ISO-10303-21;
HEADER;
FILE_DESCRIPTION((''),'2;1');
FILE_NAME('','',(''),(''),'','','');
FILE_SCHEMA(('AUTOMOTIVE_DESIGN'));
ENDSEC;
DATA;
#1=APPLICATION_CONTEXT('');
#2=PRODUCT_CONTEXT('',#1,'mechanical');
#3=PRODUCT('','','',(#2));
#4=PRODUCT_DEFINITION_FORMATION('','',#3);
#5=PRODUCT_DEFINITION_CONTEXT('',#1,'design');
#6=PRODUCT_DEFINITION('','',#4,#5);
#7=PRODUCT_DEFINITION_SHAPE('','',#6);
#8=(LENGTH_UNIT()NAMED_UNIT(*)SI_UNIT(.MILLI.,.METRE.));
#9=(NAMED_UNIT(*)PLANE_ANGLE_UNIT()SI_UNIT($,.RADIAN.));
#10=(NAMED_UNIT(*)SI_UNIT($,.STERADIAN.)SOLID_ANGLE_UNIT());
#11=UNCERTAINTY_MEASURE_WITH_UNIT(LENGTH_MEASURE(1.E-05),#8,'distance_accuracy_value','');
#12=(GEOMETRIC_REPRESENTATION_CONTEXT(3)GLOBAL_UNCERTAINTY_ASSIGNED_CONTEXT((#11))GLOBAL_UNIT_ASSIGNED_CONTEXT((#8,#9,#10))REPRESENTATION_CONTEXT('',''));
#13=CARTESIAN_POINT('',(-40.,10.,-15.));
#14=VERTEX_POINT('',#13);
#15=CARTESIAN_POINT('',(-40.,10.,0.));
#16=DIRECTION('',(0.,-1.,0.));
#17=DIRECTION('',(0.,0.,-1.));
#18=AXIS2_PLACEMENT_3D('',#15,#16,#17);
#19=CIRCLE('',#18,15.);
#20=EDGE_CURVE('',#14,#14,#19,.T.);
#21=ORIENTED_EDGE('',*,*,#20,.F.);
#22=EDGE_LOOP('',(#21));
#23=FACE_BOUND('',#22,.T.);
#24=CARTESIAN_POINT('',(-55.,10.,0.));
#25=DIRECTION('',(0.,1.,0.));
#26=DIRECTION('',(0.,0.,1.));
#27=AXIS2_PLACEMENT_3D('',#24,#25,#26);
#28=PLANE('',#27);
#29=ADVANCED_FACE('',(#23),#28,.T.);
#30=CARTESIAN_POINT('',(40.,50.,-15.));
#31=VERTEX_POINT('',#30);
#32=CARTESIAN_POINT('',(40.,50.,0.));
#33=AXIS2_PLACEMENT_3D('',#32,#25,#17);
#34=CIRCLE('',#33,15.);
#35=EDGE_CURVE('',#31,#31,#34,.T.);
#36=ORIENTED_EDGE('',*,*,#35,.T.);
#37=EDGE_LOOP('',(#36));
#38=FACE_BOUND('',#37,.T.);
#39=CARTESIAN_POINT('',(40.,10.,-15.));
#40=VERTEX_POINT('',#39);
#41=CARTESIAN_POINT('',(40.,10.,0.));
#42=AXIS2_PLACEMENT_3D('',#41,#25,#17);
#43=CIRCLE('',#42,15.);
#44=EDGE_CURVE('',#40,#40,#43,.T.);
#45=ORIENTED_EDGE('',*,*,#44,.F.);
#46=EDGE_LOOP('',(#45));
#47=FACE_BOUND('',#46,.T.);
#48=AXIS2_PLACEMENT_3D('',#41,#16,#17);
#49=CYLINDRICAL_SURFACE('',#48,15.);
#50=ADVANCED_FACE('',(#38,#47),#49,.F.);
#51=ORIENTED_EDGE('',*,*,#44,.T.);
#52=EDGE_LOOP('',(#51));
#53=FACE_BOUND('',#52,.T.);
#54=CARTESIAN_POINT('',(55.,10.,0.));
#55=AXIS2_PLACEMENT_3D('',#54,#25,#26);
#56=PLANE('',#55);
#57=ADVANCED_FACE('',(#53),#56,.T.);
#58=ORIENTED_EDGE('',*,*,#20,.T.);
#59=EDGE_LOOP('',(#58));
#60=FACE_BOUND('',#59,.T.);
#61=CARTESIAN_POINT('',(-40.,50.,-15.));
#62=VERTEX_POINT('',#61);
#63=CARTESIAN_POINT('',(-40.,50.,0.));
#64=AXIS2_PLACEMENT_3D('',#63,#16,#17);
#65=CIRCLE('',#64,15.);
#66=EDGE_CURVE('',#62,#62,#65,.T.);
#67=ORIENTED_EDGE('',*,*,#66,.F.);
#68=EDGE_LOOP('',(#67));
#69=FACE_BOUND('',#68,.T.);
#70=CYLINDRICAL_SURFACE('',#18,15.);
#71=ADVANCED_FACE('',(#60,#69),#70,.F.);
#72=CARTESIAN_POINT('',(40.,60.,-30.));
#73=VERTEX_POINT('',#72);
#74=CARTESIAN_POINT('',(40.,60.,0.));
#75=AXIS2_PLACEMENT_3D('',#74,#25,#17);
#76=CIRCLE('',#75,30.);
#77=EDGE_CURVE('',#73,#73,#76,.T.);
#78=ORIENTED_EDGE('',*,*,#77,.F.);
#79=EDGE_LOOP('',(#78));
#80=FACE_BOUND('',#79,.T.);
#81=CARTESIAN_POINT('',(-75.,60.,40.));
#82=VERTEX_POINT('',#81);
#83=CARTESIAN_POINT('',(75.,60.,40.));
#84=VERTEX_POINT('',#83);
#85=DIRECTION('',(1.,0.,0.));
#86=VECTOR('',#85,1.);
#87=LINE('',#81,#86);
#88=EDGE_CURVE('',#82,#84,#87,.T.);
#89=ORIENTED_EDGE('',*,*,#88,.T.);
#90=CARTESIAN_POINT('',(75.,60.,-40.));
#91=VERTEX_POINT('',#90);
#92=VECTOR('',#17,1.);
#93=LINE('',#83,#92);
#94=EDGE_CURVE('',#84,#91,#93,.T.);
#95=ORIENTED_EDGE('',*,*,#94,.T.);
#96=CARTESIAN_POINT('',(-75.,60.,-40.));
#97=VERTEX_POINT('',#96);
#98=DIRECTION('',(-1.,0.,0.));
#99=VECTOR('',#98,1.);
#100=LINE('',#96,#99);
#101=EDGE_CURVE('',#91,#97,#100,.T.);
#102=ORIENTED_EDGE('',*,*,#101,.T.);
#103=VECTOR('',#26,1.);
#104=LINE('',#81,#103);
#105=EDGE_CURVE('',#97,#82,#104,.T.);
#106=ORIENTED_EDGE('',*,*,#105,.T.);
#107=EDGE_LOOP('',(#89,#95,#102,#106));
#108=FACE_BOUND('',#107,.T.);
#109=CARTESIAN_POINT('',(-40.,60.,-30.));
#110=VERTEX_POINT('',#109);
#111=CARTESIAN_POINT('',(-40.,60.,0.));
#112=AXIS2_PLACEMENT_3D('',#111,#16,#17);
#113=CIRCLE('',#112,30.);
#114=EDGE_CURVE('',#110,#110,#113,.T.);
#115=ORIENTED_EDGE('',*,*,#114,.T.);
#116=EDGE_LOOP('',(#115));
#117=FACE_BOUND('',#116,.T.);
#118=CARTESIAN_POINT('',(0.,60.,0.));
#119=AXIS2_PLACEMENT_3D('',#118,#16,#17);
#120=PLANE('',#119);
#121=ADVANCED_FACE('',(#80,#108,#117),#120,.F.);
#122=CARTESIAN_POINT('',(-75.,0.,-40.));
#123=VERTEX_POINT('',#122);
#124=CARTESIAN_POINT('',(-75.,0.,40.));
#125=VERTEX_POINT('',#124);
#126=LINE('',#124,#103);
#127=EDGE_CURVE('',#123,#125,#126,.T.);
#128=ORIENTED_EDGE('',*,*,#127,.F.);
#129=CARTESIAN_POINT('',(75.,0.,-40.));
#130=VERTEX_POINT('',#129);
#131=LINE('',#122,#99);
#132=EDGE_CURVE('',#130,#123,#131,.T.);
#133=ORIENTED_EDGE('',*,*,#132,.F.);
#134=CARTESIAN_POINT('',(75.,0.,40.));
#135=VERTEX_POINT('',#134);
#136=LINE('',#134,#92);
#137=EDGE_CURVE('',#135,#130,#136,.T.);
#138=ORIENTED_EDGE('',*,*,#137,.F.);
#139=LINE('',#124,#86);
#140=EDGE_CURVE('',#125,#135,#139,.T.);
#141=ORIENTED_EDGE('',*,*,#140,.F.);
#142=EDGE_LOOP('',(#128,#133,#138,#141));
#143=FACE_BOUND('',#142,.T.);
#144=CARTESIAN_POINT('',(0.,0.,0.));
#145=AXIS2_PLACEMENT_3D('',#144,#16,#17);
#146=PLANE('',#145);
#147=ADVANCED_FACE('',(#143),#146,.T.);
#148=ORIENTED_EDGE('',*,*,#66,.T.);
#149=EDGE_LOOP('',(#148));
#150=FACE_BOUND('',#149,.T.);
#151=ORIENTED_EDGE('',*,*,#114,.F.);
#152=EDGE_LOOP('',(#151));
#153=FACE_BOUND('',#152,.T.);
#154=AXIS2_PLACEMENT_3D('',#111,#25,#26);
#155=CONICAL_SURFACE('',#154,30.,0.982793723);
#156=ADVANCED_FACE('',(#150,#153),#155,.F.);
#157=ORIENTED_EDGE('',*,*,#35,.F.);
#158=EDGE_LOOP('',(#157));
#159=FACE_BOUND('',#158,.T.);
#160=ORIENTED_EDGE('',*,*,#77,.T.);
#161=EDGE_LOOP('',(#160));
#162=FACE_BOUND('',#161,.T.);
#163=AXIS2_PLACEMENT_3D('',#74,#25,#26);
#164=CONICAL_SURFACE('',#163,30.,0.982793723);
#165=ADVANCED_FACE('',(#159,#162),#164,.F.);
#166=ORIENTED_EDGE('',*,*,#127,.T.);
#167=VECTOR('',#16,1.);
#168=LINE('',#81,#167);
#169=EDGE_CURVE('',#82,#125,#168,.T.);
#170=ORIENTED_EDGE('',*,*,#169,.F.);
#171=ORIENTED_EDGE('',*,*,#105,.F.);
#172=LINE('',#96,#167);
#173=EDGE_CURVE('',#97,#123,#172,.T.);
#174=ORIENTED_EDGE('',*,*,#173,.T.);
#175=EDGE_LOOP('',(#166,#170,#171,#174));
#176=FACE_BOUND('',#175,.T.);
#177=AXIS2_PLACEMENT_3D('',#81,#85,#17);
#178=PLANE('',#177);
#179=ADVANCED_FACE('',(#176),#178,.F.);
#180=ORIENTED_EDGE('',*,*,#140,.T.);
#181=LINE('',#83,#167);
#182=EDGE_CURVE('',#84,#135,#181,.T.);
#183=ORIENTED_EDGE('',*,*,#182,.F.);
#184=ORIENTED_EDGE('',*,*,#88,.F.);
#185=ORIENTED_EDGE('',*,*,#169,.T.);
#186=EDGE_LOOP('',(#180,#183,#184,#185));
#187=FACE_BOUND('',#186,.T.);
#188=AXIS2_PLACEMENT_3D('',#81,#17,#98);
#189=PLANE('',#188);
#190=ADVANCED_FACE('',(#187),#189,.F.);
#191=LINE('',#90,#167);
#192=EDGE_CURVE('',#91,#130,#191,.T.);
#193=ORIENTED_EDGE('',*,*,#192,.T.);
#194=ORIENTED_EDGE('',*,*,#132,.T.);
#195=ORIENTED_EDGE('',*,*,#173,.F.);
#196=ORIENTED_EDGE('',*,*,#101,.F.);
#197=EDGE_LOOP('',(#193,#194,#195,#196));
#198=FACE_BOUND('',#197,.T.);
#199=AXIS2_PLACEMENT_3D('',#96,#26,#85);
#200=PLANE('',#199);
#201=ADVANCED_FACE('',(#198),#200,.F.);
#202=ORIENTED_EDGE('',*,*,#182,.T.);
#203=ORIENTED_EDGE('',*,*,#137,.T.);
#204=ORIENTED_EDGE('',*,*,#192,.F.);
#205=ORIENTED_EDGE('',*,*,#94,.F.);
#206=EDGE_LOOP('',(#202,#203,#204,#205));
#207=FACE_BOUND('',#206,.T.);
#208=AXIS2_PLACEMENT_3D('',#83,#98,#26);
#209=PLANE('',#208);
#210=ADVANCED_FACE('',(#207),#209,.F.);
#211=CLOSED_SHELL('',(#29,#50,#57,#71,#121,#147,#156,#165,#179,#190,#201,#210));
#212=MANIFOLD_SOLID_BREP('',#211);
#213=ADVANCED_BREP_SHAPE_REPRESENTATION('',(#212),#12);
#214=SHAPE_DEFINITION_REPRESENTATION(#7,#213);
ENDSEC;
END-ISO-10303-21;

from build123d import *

# Parameters (mm, degrees)
SKETCH1_W           = 150
SKETCH1_H           = 80
BOSS_EXTRUDE1_DEPTH = 60


with BuildPart() as part:
    # Sketch1 → Boss-Extrude1 (new body)
    with BuildSketch(Plane(origin=(0, 0, 0), x_dir=(1, 0, 0), z_dir=(0, 1, 0))):
        Rectangle(SKETCH1_W, SKETCH1_H)
    extrude(amount=BOSS_EXTRUDE1_DEPTH)

    # Sketch2 → Cut-Revolve1 (revolve, cut)
    with BuildSketch(Plane.XY):
        Polygon((-40, 60), (-70, 60), (-55, 50), (-55, 10), (-40, 10), align=None)
    cut_revolve1 = revolve(axis=Axis((-40, 10, 0), (0, 1, 0)), mode=Mode.SUBTRACT)

    # Mirror1: Cut-Revolve1 across plane
    add(cut_revolve1.mirror(Plane(origin=(0, 0, 0), x_dir=(0, 0, 1), z_dir=(1, 0, 0))), mode=Mode.SUBTRACT)


solid = part.part
